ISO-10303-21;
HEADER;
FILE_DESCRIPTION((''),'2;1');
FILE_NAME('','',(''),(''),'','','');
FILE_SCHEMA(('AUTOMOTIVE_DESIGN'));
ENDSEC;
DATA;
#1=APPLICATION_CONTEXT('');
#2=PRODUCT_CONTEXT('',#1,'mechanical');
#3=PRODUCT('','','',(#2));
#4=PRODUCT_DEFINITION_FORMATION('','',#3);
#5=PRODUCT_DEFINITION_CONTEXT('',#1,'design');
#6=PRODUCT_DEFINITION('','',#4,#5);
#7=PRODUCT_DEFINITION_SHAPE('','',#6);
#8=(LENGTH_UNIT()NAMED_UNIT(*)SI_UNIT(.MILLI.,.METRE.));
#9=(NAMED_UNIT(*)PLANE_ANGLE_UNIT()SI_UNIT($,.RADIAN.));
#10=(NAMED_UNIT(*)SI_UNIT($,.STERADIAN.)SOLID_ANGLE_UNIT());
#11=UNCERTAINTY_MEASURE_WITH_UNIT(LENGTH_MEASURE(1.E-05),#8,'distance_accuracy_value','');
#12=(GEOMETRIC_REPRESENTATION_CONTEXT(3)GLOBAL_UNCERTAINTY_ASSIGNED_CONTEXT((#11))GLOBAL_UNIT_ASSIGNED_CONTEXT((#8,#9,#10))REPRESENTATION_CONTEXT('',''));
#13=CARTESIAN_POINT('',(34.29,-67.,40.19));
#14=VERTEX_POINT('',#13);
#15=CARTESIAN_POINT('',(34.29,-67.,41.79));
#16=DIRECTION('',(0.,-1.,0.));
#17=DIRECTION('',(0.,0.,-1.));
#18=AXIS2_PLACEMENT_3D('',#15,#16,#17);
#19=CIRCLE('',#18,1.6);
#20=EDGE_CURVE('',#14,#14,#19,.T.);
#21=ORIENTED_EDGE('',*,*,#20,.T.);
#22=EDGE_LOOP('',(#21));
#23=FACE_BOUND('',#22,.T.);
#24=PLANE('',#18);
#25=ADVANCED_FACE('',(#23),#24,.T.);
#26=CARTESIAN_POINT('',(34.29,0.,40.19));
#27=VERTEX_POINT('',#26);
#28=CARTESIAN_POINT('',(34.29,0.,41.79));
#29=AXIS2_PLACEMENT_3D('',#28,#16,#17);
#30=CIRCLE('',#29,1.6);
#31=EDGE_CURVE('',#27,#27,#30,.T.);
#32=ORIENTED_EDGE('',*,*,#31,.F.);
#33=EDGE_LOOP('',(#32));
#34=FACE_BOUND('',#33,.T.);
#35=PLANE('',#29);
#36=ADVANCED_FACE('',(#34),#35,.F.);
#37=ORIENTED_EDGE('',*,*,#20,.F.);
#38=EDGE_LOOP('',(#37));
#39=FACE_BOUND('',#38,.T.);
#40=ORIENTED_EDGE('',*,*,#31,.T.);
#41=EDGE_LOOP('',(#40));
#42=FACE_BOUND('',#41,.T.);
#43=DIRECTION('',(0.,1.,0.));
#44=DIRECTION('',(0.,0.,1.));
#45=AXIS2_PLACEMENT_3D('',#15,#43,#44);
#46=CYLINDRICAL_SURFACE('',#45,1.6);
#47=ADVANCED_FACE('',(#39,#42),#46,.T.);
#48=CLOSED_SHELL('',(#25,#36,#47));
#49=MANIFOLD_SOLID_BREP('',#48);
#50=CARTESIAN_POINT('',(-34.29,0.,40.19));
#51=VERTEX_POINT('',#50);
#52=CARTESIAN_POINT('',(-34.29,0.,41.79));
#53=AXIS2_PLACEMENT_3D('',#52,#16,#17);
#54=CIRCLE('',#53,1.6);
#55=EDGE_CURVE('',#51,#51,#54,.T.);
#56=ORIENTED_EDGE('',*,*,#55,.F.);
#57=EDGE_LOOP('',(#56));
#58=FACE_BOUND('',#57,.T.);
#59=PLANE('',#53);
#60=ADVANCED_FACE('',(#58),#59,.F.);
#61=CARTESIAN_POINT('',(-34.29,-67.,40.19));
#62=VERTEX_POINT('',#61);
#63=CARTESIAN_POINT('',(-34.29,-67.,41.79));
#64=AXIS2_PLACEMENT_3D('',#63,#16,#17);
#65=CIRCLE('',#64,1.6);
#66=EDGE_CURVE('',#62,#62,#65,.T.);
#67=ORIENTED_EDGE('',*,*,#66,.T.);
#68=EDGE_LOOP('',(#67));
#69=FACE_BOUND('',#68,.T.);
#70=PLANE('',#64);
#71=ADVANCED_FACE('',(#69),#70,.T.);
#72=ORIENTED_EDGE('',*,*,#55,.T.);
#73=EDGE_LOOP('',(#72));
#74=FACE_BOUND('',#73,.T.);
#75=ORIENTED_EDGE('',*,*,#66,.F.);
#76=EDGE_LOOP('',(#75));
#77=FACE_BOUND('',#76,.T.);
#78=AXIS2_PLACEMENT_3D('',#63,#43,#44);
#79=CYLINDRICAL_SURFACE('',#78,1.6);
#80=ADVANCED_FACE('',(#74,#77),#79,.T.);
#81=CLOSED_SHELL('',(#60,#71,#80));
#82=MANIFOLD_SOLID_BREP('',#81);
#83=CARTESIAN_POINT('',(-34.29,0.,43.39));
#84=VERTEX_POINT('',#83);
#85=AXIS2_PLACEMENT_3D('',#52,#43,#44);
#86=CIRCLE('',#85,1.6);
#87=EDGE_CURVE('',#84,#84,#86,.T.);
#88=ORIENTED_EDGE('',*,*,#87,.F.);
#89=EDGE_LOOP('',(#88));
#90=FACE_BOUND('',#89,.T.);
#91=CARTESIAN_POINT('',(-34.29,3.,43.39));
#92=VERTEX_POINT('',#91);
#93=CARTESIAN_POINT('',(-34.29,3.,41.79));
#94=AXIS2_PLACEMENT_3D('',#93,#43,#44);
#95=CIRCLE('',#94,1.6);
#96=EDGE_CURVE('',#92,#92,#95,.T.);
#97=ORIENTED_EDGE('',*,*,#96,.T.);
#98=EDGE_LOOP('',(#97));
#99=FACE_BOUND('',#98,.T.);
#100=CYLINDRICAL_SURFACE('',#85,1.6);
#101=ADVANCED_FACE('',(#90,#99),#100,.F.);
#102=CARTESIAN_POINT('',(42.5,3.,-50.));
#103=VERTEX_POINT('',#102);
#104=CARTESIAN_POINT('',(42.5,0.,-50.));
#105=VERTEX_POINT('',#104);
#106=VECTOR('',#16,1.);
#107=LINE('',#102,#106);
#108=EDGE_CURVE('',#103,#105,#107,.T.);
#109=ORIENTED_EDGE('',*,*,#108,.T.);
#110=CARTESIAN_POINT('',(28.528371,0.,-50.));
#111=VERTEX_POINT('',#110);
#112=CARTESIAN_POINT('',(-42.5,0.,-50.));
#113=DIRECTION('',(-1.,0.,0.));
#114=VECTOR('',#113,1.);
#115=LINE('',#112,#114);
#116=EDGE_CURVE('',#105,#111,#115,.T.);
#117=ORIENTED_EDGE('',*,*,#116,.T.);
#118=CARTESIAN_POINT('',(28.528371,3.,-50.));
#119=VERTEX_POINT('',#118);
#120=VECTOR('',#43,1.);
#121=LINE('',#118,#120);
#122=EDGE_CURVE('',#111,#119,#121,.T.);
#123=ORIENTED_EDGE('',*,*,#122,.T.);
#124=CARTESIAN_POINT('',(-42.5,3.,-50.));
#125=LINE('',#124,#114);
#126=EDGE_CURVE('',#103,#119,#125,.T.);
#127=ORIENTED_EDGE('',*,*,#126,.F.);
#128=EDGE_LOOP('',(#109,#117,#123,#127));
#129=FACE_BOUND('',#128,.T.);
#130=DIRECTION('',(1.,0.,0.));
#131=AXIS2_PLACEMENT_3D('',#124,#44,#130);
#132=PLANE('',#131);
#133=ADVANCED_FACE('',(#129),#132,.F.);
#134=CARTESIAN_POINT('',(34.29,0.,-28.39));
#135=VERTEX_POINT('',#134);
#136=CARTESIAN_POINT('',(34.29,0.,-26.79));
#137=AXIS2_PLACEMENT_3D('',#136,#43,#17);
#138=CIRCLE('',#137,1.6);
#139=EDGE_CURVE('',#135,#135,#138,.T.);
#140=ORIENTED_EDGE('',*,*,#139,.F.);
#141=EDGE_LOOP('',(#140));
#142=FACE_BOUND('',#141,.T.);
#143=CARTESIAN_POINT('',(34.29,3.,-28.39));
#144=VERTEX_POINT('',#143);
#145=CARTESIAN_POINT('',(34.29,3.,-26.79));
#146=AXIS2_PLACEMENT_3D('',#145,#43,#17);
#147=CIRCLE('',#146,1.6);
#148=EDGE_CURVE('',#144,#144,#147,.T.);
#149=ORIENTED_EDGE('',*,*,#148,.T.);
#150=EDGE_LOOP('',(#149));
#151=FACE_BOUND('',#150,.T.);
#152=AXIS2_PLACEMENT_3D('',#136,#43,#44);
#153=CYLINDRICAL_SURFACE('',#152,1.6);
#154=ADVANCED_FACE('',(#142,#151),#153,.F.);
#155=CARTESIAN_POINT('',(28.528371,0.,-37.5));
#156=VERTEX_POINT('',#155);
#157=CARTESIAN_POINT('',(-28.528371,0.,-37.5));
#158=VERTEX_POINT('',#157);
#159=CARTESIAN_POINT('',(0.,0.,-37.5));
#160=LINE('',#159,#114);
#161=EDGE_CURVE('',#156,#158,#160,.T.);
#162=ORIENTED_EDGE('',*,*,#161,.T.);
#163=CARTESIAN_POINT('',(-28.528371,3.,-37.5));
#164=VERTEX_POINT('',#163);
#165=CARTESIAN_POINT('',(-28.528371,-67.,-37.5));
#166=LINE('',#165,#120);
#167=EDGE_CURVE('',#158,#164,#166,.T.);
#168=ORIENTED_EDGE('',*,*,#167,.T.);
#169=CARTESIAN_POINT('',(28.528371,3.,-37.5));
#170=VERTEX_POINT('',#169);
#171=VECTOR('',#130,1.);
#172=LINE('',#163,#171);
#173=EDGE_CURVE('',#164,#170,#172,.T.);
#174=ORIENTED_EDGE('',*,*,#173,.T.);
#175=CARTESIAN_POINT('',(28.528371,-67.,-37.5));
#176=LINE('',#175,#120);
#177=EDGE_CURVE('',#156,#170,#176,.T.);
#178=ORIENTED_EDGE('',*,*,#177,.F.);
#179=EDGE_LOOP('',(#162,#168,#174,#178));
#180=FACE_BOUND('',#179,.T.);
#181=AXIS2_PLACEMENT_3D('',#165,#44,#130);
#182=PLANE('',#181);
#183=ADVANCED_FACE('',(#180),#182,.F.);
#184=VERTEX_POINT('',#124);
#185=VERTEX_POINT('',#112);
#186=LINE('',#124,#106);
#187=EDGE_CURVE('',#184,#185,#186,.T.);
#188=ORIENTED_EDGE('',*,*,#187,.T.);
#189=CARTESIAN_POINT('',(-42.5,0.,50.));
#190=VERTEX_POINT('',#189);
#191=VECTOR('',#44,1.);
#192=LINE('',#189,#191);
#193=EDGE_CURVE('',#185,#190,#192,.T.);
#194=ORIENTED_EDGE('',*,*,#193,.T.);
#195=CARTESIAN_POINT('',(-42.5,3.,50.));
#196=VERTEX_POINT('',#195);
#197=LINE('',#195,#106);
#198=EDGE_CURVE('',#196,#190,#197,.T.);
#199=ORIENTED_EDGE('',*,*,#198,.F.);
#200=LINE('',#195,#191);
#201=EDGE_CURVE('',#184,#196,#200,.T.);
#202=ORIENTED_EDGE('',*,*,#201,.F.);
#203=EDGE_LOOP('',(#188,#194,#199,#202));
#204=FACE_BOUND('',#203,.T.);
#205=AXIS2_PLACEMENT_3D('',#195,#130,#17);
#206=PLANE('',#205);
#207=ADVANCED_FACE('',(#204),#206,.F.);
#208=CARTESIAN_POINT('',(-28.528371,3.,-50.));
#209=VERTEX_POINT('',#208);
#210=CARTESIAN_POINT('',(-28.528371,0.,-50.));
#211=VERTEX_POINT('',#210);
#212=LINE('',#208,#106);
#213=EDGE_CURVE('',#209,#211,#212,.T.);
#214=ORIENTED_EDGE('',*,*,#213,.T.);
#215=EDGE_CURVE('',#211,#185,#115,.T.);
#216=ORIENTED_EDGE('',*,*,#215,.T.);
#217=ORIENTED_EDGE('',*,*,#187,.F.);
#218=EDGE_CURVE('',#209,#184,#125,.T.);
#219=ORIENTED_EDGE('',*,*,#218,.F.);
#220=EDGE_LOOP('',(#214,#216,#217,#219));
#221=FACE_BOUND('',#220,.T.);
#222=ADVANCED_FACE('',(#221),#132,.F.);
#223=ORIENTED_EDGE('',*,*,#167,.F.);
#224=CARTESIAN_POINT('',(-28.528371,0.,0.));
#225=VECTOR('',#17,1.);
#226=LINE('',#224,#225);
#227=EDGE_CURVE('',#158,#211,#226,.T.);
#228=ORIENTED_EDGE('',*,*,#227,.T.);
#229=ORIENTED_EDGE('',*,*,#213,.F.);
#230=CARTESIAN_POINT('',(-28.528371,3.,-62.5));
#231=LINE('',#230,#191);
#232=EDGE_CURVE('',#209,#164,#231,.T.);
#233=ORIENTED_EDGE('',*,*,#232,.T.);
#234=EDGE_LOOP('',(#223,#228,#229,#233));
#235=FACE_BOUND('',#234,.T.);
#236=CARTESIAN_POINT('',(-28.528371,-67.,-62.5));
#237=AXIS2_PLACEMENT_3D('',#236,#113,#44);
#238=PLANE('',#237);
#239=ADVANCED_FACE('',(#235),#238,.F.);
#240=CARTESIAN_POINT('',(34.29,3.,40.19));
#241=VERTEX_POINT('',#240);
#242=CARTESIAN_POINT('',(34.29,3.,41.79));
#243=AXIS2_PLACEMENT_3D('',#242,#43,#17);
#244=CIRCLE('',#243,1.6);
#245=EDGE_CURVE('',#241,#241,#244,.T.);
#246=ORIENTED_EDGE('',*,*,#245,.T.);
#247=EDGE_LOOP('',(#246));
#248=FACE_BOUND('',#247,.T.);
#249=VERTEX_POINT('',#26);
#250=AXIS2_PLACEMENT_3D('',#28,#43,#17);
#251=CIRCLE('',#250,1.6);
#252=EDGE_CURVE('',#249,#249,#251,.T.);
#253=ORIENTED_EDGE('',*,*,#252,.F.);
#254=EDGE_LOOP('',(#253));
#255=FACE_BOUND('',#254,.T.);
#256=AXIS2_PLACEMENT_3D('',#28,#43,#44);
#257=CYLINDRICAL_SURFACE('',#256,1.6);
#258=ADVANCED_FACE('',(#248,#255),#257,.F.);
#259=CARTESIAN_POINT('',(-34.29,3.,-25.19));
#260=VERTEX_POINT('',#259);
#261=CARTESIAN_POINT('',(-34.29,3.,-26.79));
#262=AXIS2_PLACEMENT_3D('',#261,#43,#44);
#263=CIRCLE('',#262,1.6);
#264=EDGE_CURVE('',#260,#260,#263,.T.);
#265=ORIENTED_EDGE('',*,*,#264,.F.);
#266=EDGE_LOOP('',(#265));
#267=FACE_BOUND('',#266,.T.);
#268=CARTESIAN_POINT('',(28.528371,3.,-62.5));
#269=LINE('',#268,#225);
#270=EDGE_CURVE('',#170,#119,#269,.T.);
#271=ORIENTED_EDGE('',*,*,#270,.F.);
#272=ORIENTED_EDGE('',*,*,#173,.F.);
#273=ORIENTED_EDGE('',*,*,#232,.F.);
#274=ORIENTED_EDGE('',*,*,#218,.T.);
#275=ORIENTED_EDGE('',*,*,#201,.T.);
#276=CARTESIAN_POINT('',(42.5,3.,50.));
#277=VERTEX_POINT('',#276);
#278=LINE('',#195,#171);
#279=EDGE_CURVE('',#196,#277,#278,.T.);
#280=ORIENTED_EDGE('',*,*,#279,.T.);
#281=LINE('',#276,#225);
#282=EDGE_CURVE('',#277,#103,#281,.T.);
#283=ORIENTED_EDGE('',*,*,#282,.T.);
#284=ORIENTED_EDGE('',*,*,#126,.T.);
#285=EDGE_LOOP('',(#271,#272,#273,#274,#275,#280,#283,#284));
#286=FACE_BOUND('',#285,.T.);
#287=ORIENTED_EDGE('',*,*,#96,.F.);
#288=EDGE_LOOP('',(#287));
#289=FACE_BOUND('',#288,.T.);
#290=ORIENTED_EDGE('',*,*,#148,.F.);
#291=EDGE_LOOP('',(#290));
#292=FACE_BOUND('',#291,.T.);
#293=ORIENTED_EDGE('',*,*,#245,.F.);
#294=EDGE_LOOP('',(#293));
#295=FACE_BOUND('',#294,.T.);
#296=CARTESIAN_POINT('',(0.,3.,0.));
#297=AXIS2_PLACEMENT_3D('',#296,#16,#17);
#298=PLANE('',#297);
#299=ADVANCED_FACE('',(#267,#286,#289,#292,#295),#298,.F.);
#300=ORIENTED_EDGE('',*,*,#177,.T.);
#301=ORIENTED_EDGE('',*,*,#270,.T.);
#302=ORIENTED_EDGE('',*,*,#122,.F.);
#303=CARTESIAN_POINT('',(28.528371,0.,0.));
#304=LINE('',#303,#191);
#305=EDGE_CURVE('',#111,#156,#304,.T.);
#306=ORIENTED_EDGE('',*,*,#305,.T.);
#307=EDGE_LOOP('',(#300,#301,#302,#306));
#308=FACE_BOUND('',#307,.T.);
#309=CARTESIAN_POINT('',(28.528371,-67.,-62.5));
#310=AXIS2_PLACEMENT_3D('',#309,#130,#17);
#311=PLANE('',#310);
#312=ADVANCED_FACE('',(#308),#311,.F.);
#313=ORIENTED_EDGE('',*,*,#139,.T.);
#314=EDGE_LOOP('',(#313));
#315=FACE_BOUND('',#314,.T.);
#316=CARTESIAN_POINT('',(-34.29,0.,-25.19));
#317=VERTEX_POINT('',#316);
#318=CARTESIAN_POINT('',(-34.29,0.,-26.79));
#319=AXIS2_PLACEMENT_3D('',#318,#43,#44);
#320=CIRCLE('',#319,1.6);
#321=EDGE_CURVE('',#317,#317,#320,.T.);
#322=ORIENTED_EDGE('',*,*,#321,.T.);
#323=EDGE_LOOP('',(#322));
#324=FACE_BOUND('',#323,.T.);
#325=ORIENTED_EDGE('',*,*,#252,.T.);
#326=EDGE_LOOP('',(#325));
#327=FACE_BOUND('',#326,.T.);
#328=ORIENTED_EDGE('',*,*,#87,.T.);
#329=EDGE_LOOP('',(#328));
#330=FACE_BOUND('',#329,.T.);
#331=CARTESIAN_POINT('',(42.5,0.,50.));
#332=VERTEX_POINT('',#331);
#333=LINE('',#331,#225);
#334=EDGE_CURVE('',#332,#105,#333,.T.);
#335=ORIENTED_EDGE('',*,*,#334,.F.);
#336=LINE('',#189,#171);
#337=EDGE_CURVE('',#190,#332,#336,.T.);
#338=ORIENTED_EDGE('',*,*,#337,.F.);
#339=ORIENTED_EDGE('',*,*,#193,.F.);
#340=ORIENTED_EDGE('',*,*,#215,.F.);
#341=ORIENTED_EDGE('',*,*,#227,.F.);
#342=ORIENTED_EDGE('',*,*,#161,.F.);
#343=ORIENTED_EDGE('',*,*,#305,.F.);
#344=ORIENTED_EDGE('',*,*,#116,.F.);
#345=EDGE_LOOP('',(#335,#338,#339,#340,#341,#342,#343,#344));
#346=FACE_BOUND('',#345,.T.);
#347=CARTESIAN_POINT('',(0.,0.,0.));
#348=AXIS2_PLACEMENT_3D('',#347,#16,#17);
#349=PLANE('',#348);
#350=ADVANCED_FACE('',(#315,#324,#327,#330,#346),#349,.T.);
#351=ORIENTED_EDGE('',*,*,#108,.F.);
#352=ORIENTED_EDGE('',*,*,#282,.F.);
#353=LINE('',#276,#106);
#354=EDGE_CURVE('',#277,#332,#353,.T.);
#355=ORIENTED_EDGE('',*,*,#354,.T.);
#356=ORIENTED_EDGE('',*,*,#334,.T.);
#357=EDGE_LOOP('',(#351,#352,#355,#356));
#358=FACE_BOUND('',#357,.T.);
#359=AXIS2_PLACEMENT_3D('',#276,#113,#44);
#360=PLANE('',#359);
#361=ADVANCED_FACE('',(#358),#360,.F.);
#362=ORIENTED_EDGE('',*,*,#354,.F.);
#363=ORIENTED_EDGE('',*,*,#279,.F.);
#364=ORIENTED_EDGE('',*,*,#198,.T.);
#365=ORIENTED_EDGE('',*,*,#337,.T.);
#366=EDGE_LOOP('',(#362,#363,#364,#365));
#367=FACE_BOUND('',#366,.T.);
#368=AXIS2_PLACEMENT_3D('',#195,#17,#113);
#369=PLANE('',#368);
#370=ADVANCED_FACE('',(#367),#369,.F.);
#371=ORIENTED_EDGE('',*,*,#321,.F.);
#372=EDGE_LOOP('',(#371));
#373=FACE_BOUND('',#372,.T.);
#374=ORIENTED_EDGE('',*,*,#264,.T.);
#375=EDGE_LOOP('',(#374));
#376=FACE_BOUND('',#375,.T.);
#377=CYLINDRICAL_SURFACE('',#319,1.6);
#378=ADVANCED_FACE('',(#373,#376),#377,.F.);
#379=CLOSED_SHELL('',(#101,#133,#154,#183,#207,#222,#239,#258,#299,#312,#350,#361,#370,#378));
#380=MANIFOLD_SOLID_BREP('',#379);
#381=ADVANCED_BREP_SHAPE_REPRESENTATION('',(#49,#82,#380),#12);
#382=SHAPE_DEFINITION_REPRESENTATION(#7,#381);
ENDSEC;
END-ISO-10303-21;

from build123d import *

# Parameters (mm, degrees)
SKETCH1_W             = 85
SKETCH1_H             = 100
BOSS_EXTRUDE1_DEPTH   = 3
SKETCH2_R             = 1.6
CUT_EXTRUDE1_DEPTH    = 66.690562488
SKETCH3_R             = 1.6
BOSS_EXTRUDE2_DEPTH   = 67
BOSS_EXTRUDE2_2_DEPTH = 67
SKETCH4_W             = 57.05674143
SKETCH4_H             = 25
CUT_EXTRUDE2_DEPTH    = 96.949205312


with BuildPart() as part:
    # Sketch1 → Boss-Extrude1 (new body)
    with BuildSketch(Plane(origin=(0, 0, 0), x_dir=(1, 0, 0), z_dir=(0, 1, 0))):
        Rectangle(SKETCH1_W, SKETCH1_H)
    extrude(amount=BOSS_EXTRUDE1_DEPTH)

    # Sketch2 → Cut-Extrude1 (cut, through all)
    with BuildSketch(Plane(origin=(0, 3, 0), x_dir=(1, 0, 0), z_dir=(0, 1, 0))):
        with Locations(Location((-34.29, 26.79, 0), (0, 0, 270))):
            Circle(SKETCH2_R)
        with Locations(Location((-34.29, -41.79, 0), (0, 0, 270))):
            Circle(SKETCH2_R)
        with Locations(Location((34.29, -41.79, 0), (0, 0, 90))):
            Circle(SKETCH2_R)
        with Locations(Location((34.29, 26.79, 0), (0, 0, 90))):
            Circle(SKETCH2_R)
    extrude(amount=-CUT_EXTRUDE1_DEPTH, mode=Mode.SUBTRACT)

    # Sketch4 → Cut-Extrude2 (cut, through all)
    with BuildSketch(Plane(origin=(0, 3, 0), x_dir=(1, 0, 0), z_dir=(0, 1, 0))):
        with Locations((0, 50)):
            Rectangle(SKETCH4_W, SKETCH4_H)
    extrude(amount=-CUT_EXTRUDE2_DEPTH, mode=Mode.SUBTRACT)


with BuildPart() as body_2:
    # Sketch3 → Boss-Extrude2 (new body)
    with BuildSketch(Plane.XZ):
        with Locations(Location((-34.29, 41.79, 0), (0, 0, 270))):
            Circle(SKETCH3_R)
    extrude(amount=BOSS_EXTRUDE2_DEPTH)


with BuildPart() as body_3:
    # Sketch3 → Boss-Extrude2 2 (new body)
    with BuildSketch(Plane.XZ):
        with Locations(Location((34.29, 41.79, 0), (0, 0, 270))):
            Circle(SKETCH3_R)
    extrude(amount=BOSS_EXTRUDE2_2_DEPTH)


solid = Compound([part.part, body_2.part, body_3.part])
